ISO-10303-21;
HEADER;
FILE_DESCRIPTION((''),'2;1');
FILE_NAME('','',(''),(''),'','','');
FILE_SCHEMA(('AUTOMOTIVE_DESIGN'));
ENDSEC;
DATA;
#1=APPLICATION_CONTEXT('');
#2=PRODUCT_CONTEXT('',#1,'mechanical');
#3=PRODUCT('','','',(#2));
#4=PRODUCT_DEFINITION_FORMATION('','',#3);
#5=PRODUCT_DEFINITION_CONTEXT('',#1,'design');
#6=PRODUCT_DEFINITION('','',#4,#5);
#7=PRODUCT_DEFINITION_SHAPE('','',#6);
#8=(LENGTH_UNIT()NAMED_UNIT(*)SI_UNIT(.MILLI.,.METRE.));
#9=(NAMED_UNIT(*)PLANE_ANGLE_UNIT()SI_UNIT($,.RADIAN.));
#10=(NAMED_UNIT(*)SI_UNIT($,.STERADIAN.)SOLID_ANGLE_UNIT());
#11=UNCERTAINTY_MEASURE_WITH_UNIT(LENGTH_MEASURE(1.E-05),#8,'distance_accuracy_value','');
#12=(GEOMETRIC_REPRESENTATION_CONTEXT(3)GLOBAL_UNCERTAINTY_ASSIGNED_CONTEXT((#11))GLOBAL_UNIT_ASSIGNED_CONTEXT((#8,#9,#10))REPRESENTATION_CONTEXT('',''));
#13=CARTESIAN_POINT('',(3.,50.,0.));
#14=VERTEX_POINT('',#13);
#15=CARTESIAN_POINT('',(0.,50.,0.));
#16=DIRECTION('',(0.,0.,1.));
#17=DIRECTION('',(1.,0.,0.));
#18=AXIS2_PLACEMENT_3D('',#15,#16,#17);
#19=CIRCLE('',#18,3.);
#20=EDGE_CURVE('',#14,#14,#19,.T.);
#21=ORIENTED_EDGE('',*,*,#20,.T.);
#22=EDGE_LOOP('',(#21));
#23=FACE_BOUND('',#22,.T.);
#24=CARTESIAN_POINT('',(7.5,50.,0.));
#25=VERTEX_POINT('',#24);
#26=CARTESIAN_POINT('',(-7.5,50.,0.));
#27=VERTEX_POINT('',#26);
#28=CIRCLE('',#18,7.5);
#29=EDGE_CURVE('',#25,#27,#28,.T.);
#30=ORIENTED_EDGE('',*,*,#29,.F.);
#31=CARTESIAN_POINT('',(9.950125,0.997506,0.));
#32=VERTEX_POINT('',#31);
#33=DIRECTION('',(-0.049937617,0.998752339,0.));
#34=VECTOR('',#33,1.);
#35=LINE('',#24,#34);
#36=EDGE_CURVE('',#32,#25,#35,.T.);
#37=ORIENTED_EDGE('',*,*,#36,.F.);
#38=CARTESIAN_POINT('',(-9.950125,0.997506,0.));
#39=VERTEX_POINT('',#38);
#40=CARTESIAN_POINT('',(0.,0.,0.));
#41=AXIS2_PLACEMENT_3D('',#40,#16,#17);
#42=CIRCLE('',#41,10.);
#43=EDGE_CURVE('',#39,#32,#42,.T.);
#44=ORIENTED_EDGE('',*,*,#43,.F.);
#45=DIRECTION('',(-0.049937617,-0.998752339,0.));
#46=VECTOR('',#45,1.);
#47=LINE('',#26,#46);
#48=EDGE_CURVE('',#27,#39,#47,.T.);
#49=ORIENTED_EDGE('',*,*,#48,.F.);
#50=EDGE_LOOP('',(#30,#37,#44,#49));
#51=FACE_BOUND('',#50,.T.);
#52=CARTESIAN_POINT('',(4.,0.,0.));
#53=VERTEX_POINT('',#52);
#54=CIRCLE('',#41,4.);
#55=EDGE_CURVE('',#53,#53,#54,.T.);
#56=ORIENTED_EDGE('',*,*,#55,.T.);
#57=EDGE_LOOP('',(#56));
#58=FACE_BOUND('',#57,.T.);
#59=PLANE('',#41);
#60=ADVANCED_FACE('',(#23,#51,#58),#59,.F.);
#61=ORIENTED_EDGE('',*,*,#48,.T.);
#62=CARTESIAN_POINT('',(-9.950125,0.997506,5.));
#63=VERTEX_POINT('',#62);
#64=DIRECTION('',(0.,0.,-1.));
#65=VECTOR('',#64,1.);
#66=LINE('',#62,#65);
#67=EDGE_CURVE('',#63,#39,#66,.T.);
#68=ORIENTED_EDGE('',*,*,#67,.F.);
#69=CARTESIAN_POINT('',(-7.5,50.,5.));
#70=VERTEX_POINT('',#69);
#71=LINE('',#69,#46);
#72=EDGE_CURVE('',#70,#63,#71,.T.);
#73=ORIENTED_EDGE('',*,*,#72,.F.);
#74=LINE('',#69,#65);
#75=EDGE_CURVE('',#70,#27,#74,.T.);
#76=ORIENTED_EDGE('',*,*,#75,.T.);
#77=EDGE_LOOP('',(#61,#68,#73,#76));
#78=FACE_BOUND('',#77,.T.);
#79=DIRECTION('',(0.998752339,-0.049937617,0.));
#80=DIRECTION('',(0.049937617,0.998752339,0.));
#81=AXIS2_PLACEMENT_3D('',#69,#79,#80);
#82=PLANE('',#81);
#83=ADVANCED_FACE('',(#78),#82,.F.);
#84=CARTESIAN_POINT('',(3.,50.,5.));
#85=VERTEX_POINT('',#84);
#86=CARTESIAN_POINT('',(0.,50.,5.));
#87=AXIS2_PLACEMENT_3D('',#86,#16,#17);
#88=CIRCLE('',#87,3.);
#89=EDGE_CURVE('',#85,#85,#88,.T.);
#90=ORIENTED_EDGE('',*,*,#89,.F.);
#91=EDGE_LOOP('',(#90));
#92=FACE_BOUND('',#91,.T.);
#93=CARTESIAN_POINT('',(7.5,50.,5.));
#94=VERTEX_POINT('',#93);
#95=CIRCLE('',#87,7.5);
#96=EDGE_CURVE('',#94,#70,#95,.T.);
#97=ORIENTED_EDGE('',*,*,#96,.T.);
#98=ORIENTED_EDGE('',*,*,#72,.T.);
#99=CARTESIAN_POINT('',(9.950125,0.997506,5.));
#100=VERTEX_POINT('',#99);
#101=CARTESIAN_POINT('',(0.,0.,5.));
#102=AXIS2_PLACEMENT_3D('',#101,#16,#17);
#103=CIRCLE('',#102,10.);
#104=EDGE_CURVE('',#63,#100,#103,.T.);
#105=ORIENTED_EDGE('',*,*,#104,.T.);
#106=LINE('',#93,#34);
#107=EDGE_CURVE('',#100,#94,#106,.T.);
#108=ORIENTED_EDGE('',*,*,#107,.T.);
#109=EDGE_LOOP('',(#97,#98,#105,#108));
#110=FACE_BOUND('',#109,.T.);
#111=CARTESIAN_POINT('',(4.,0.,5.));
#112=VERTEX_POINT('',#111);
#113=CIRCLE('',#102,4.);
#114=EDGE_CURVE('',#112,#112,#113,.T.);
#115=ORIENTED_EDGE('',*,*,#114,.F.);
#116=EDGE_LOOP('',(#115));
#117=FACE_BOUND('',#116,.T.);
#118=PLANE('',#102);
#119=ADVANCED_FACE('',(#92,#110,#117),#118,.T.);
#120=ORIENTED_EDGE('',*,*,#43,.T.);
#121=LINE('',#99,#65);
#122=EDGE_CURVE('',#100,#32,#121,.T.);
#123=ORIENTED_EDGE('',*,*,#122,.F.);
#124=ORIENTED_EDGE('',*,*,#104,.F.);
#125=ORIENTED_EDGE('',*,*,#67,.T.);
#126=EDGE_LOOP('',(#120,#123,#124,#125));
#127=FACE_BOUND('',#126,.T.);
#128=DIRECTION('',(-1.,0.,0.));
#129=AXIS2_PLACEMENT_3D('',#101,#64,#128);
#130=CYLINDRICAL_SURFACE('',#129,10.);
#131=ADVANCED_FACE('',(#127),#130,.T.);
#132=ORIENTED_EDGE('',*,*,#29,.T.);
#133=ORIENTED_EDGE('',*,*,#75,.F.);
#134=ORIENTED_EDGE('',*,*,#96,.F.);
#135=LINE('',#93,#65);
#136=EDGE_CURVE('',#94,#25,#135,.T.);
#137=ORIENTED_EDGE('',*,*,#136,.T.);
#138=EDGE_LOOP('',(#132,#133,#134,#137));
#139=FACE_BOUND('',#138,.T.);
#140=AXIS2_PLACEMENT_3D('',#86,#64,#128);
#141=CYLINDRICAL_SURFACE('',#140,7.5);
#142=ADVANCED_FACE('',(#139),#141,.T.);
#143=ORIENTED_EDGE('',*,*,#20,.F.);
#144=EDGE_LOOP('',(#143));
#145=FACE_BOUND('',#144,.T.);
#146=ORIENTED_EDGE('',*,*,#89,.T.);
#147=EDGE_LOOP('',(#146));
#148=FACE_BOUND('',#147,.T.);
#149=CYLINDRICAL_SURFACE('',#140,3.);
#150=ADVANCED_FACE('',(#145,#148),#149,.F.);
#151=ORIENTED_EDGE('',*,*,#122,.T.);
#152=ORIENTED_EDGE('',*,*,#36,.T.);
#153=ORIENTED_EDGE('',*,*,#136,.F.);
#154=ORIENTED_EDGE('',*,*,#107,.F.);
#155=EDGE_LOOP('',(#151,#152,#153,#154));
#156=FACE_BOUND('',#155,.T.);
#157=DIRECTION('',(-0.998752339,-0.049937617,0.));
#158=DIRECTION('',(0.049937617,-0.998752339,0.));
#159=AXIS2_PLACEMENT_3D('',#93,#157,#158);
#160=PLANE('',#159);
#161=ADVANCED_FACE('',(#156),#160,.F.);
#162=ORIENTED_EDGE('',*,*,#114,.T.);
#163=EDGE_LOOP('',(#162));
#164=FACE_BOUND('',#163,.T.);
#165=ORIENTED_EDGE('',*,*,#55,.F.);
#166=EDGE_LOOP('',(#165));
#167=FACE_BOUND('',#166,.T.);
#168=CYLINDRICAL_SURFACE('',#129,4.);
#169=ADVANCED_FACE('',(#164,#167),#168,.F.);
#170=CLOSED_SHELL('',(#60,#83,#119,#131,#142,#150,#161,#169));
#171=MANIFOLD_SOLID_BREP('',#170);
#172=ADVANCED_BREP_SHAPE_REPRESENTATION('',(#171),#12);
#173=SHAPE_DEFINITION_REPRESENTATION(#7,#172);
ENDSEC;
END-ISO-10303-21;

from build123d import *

# Parameters (mm, degrees)
SKETCH1_R           = 4
SKETCH1_R_2         = 3
BOSS_EXTRUDE1_DEPTH = 5


with BuildPart() as part:
    # Sketch1 → Boss-Extrude1 (new body)
    with BuildSketch(Plane.XY):
        with BuildLine():
            Line((-7.5, 50), (-9.950124688, 0.997506234))
            ThreePointArc((-9.950124688, 0.997506234), (0, -10), (9.950124688, 0.997506234))
            Line((9.950124688, 0.997506234), (7.5, 50))
            ThreePointArc((7.5, 50), (0, 57.5), (-7.5, 50))
        make_face()
        Circle(SKETCH1_R, mode=Mode.SUBTRACT)
        with Locations((0, 50)):
            Circle(SKETCH1_R_2, mode=Mode.SUBTRACT)
    extrude(amount=BOSS_EXTRUDE1_DEPTH)


solid = part.part
